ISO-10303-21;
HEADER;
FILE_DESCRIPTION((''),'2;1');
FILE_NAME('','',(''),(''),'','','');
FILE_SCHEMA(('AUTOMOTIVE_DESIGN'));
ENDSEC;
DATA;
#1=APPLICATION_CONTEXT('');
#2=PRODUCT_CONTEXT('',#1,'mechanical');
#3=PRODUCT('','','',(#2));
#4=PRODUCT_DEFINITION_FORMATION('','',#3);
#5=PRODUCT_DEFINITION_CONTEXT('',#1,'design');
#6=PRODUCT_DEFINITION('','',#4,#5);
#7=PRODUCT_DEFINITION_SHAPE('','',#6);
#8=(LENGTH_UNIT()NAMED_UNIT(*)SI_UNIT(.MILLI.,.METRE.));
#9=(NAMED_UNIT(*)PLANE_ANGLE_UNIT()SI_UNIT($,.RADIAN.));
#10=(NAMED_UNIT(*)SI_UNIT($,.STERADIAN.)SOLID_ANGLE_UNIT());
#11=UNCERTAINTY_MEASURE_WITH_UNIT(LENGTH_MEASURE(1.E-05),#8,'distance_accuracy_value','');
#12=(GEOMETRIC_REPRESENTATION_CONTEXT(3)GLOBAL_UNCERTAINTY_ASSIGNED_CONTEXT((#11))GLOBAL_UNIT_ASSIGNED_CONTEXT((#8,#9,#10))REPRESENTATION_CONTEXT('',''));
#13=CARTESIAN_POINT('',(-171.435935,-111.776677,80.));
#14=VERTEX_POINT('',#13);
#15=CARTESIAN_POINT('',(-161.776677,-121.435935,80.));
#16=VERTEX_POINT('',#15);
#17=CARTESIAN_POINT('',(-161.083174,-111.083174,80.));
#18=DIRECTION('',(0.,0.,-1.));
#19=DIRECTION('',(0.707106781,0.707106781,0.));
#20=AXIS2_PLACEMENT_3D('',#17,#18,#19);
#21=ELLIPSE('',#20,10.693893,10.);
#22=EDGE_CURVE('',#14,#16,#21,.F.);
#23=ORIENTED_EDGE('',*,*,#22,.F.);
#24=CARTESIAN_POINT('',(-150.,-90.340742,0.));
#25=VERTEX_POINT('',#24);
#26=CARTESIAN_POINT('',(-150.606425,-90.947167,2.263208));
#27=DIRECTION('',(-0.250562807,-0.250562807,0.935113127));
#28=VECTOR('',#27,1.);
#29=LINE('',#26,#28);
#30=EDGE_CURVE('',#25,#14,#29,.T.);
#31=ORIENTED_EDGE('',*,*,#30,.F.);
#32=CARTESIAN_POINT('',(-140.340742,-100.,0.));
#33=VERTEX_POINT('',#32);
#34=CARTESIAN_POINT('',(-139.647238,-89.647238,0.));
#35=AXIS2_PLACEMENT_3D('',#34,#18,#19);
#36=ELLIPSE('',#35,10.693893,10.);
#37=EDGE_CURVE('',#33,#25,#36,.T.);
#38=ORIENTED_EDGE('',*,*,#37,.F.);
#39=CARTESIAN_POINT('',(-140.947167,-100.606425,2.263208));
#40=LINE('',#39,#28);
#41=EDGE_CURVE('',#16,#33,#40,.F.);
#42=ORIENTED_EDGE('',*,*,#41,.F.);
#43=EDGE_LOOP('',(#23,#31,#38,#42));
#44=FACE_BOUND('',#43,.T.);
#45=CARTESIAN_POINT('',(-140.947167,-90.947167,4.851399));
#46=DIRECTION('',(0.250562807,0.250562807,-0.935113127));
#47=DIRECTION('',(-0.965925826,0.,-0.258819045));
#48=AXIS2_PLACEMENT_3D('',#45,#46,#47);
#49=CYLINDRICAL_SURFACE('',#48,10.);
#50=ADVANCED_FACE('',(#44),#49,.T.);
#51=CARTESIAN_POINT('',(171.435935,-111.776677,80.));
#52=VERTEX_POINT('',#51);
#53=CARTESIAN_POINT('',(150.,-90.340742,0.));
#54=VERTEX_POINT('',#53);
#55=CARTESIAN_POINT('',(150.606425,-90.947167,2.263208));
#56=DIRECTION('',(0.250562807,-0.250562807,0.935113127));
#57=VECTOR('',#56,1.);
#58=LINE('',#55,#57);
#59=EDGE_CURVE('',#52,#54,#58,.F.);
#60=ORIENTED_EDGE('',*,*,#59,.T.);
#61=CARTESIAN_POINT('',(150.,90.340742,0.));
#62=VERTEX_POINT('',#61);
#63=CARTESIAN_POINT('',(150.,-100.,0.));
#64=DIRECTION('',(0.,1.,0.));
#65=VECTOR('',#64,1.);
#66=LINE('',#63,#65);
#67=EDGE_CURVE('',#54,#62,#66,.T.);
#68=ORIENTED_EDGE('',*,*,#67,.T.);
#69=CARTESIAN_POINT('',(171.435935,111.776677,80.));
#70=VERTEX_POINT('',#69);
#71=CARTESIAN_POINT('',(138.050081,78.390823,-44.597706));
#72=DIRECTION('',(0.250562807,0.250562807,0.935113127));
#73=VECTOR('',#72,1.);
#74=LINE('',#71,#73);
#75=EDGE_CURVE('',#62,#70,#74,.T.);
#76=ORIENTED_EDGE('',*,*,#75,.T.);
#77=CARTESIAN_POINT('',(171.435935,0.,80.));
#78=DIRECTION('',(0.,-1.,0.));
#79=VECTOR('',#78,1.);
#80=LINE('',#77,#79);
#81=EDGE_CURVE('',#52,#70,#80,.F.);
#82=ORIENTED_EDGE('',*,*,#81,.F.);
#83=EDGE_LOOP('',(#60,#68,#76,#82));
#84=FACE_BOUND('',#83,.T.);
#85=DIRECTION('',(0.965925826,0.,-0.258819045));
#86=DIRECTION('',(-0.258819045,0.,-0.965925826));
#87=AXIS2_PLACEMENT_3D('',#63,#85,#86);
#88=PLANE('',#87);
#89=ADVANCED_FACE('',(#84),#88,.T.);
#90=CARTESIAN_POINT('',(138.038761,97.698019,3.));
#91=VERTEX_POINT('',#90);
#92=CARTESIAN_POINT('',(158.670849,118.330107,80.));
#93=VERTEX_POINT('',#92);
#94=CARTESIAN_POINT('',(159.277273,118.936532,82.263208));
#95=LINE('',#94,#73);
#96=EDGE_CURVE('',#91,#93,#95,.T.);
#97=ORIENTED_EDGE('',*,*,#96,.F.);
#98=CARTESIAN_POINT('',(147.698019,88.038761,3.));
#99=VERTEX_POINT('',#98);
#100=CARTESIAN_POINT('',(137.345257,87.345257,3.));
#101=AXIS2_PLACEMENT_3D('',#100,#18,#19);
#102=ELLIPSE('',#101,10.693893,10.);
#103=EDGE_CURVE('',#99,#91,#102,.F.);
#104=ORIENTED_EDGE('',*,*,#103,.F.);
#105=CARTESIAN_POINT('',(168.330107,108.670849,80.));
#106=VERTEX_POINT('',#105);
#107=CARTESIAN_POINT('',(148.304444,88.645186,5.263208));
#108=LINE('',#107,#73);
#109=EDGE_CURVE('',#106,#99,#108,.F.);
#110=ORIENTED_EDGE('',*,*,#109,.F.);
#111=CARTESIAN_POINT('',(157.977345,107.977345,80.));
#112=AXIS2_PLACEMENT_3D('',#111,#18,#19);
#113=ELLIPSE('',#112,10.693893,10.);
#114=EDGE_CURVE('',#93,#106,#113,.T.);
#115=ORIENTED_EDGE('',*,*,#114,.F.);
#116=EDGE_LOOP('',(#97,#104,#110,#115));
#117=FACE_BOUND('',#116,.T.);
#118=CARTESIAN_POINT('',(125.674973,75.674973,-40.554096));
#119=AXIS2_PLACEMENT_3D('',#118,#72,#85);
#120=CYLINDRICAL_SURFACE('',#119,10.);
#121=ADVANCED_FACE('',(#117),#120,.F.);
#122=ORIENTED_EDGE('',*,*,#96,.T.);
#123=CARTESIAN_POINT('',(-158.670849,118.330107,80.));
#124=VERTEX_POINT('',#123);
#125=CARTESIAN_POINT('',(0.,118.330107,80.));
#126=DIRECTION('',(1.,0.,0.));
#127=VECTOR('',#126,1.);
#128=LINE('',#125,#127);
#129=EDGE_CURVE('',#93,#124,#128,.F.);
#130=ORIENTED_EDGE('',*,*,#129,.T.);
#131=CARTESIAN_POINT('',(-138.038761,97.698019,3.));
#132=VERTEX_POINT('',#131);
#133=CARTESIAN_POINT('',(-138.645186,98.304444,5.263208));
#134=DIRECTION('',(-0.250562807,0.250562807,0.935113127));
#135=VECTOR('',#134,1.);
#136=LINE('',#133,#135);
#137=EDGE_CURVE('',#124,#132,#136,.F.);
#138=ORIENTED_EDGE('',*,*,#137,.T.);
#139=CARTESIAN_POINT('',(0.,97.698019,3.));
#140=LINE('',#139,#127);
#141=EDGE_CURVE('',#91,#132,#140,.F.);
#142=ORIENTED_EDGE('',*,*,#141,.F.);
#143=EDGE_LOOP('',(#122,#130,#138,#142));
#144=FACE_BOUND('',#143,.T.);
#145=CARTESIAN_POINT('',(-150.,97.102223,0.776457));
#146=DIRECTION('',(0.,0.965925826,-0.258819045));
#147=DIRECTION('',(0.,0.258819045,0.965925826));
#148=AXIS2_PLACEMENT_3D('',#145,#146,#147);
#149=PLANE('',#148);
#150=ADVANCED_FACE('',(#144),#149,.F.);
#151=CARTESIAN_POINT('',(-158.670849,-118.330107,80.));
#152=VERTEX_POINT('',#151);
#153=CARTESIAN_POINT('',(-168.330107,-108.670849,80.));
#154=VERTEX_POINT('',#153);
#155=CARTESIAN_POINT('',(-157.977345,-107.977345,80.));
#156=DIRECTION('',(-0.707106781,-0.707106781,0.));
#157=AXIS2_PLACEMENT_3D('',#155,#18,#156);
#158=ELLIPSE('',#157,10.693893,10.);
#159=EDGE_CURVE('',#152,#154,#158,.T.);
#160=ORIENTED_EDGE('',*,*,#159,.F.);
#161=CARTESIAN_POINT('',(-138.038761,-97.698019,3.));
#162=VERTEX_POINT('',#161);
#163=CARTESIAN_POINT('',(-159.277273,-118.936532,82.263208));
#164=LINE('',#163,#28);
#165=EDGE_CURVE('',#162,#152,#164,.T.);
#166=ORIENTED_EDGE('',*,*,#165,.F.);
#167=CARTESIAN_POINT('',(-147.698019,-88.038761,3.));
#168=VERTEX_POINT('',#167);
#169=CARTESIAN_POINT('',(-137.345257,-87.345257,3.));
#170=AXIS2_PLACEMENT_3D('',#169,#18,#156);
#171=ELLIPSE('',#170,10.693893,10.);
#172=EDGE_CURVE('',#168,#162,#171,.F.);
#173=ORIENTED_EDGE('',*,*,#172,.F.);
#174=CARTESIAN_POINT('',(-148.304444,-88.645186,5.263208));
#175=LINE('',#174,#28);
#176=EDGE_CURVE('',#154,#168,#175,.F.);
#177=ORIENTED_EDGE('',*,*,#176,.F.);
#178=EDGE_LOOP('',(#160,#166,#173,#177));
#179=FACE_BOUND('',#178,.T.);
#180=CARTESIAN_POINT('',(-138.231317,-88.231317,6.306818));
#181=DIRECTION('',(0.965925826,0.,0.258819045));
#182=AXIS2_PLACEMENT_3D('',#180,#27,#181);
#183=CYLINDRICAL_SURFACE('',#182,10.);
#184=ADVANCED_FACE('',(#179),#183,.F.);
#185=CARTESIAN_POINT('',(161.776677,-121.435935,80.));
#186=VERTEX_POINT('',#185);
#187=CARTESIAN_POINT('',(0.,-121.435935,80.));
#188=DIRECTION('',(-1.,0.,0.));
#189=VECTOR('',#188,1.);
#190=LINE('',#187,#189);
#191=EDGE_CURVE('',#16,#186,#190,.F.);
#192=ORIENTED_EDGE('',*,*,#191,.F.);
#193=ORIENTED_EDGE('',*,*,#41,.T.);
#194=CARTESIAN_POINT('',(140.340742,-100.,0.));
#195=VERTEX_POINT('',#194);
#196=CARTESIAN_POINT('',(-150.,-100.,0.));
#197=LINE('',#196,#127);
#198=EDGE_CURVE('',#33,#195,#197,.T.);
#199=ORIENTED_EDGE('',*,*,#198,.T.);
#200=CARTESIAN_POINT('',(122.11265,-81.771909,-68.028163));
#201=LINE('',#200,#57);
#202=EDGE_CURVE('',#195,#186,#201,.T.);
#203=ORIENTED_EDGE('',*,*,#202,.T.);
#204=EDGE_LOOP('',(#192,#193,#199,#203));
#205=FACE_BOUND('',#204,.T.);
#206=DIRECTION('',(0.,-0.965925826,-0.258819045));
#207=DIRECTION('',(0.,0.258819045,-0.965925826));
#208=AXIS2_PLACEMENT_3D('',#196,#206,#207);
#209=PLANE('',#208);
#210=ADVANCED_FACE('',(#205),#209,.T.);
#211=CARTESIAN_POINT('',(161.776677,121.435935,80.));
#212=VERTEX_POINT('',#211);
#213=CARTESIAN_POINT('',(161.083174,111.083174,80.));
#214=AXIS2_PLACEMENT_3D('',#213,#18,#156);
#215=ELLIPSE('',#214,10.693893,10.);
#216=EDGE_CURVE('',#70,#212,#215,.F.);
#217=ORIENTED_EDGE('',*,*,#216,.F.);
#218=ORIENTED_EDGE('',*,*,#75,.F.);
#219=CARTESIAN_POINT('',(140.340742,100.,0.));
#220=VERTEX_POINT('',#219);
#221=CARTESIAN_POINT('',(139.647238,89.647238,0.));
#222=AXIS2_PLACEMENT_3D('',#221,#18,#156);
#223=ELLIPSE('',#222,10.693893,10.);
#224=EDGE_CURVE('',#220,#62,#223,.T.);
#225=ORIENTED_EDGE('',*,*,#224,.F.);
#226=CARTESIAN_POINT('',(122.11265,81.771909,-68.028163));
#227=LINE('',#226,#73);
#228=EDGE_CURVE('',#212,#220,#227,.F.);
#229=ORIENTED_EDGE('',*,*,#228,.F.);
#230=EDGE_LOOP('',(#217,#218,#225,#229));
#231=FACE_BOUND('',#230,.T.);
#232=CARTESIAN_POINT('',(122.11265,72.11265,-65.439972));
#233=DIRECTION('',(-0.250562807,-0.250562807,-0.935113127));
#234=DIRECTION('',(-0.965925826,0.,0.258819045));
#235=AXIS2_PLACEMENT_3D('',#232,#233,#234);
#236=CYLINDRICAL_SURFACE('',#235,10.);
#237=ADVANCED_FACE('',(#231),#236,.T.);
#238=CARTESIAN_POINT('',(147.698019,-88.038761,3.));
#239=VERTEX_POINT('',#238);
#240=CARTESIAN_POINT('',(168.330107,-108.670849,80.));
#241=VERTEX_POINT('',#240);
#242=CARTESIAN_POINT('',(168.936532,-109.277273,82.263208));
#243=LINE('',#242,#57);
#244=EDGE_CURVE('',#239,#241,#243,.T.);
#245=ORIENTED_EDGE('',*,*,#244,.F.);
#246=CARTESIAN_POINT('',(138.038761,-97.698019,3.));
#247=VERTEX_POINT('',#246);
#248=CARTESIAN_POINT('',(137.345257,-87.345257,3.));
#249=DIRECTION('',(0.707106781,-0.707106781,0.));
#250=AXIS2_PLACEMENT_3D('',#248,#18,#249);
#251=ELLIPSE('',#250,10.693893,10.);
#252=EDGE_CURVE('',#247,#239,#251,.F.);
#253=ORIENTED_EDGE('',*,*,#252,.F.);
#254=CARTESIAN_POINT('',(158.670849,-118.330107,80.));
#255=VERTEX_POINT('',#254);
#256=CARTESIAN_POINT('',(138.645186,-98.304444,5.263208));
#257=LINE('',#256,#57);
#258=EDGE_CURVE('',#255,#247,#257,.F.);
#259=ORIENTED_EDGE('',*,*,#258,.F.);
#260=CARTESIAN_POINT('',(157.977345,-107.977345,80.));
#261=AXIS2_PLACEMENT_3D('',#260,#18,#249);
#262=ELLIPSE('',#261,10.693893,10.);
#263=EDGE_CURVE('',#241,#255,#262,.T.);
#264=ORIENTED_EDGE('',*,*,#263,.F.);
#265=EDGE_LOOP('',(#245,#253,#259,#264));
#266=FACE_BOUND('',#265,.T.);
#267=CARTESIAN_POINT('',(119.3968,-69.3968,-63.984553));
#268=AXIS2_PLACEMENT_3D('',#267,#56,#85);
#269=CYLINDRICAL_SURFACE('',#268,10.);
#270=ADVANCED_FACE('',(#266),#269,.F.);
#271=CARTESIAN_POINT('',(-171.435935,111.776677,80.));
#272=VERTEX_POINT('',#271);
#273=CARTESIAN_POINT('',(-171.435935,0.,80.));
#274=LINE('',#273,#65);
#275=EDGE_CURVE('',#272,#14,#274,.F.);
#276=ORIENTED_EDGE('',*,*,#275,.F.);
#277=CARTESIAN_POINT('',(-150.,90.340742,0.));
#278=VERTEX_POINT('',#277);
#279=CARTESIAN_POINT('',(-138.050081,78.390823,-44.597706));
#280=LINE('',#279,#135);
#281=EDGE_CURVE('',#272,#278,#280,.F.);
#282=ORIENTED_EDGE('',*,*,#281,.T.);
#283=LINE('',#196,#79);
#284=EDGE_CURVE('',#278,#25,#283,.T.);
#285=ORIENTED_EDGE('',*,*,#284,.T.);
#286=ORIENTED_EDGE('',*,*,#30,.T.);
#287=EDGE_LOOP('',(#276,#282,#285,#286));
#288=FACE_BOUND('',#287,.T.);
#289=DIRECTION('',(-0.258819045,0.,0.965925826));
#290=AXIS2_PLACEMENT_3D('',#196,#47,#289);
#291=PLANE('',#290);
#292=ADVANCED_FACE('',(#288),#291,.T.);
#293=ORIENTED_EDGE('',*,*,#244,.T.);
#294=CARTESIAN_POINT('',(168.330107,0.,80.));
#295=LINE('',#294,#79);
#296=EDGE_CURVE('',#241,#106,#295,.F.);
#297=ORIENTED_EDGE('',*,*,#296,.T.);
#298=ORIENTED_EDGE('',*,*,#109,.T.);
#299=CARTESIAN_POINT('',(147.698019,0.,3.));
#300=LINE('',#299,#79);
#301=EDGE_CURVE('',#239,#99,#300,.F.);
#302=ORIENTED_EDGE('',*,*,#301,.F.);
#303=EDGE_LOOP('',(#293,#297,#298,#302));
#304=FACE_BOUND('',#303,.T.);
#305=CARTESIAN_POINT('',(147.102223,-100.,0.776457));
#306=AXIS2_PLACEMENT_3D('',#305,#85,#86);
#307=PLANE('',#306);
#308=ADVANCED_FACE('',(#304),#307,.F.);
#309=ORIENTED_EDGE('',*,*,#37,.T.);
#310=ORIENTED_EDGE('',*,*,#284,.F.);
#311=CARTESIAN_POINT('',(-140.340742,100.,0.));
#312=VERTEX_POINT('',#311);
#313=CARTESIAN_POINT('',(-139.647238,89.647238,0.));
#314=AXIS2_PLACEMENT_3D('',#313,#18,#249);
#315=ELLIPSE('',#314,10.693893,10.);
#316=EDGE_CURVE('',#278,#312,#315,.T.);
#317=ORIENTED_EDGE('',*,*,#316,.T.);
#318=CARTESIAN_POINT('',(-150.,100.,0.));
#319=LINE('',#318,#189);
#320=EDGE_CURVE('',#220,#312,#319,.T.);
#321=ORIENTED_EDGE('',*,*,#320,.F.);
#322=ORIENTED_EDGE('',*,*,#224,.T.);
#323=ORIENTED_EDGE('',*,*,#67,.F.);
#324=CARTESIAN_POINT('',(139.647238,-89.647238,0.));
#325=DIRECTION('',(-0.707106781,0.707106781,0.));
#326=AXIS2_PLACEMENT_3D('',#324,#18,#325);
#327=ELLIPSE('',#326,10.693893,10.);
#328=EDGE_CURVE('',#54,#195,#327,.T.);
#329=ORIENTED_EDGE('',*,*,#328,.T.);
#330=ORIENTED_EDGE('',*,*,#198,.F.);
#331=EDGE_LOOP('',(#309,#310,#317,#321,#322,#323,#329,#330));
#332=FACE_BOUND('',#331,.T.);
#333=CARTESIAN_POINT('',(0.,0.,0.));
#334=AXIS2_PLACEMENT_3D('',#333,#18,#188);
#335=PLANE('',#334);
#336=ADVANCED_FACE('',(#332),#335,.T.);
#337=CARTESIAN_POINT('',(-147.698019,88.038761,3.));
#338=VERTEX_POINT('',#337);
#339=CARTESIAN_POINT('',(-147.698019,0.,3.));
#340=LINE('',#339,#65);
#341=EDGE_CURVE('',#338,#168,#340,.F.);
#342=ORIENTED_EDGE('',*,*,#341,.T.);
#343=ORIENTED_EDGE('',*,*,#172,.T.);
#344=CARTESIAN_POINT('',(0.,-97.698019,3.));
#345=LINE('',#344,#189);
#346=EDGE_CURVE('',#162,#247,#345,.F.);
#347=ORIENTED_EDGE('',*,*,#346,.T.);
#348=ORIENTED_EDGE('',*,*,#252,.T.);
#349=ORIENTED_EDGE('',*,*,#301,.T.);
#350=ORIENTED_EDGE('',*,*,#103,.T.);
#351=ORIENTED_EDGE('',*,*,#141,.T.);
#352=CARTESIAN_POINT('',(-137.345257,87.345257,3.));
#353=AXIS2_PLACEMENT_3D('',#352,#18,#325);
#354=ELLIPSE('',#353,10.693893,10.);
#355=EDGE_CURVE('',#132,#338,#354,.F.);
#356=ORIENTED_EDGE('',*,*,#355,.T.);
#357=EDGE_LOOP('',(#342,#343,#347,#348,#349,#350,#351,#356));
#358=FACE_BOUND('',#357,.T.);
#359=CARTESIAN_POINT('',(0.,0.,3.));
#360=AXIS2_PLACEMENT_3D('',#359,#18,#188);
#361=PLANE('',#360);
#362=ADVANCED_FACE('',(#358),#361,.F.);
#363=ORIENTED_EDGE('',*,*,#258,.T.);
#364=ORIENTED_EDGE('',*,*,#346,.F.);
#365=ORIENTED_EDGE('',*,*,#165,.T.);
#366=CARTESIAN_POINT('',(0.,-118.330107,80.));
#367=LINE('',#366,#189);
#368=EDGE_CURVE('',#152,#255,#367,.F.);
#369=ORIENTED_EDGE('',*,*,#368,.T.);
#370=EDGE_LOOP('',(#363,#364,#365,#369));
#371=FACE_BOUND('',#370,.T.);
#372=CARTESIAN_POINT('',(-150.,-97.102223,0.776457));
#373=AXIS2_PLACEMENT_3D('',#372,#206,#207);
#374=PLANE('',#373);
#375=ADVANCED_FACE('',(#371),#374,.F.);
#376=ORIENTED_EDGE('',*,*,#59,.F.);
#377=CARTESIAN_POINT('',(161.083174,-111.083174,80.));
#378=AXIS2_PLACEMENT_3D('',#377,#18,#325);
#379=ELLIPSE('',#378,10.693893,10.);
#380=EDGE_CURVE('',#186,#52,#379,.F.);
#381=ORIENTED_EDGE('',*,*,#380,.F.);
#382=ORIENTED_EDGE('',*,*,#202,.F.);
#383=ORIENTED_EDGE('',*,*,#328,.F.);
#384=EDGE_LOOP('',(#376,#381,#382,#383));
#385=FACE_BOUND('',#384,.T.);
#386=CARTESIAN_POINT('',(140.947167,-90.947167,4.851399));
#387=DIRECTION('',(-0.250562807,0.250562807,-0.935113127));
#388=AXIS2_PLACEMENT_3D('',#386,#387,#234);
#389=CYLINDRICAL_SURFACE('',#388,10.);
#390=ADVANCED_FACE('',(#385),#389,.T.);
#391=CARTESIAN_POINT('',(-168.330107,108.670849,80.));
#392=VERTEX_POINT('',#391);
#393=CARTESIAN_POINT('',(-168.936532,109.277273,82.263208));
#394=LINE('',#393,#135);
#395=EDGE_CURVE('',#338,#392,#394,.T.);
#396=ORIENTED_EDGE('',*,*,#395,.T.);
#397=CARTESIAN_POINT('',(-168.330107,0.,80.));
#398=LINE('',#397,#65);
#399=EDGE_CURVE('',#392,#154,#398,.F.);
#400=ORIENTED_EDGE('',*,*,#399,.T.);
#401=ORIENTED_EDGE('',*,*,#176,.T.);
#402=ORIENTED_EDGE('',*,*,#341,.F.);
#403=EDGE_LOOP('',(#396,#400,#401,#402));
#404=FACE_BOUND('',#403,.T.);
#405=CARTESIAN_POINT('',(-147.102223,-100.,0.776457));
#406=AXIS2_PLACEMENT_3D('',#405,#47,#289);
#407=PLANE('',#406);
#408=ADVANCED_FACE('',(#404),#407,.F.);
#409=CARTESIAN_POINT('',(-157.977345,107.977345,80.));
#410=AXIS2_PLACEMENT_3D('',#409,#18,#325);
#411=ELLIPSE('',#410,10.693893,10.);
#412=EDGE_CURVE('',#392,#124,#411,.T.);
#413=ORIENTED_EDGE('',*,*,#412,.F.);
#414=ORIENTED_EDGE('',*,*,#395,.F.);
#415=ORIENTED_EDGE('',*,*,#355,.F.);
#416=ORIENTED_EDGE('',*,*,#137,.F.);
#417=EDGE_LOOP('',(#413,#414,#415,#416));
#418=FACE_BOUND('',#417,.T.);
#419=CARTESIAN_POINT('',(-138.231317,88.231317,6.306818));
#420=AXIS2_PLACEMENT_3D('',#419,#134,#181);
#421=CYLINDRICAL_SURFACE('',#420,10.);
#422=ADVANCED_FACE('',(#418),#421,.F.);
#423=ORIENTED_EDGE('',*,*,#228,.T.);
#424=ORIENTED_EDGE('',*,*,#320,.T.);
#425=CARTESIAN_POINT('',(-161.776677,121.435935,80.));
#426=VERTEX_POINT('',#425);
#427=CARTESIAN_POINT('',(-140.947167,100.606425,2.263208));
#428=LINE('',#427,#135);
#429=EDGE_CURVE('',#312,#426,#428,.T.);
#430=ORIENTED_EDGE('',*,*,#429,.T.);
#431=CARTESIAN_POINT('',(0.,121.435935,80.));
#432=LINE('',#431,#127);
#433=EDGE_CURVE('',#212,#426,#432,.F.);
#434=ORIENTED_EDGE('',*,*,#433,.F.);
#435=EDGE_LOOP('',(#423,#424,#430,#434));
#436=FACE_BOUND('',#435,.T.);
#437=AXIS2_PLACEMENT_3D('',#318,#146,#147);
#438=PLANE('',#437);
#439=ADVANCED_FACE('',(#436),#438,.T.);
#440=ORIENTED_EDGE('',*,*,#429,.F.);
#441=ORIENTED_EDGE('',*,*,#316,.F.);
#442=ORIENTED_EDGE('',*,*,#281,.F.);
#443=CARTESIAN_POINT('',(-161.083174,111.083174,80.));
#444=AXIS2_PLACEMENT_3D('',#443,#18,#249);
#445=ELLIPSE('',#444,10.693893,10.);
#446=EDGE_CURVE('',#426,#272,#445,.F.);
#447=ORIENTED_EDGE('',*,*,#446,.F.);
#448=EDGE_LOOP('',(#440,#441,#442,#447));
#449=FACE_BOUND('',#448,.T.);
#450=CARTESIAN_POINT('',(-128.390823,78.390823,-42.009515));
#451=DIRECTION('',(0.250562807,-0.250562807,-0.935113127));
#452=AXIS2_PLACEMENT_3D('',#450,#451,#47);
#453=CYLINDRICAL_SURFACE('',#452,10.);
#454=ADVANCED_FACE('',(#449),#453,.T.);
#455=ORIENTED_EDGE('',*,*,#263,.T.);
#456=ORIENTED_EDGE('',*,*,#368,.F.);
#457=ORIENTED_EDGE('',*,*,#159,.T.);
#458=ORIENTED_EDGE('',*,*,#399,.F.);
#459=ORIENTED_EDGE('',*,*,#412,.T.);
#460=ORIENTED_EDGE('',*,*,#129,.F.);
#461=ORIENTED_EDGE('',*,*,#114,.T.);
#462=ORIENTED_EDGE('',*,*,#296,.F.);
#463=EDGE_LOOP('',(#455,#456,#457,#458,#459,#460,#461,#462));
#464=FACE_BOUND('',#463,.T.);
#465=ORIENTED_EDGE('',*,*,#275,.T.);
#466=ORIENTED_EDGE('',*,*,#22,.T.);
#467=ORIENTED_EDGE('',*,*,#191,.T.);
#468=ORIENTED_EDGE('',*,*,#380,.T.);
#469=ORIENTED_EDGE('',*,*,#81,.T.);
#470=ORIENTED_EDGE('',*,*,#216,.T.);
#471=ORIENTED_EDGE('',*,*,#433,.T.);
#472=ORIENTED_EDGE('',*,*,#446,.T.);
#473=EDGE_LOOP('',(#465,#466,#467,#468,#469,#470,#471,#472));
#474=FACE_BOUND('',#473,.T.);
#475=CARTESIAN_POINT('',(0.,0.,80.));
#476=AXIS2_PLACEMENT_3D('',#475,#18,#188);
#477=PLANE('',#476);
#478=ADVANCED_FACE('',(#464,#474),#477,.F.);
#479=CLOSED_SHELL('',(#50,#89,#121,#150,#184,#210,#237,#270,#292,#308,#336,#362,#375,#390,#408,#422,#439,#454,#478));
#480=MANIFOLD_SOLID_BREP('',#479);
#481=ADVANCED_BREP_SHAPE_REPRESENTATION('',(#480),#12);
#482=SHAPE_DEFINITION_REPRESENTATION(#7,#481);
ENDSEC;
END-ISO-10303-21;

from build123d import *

# Parameters (mm, degrees)
SKETCH_1_W      = 300
SKETCH_1_H      = 200
EXTRUDE_1_DEPTH = 80
EXTRUDE_1_DRAFT = -15
SHELL_1_T       = -3
FILLET_1_R      = 10


with BuildPart() as part:
    # 草图1 → 凸台-拉伸1 (with draft: the straight prism first)
    with BuildSketch(Plane.XY):
        Rectangle(SKETCH_1_W, SKETCH_1_H)
    extrude(amount=EXTRUDE_1_DEPTH)
    # 凸台-拉伸1: the draft: its side faces are tilted about the plane it starts from
    extrude_1_sides = [part.faces().sort_by_distance(p)[0] for p in [
        (0, -100, 40),
        (150, 0, 40),
        (0, 100, 40),
        (-150, 0, 40),
    ]]
    draft(extrude_1_sides, Plane.XY, EXTRUDE_1_DRAFT)

    # 抽壳1
    shell_1_openings = [part.faces().sort_by_distance(p)[0] for p in [
        (0, 0, 80),
    ]]
    offset(amount=SHELL_1_T, openings=shell_1_openings, kind=Kind.INTERSECTION)

    # 圆角1
    fillet_1_edges = [part.edges().sort_by_distance(p)[0] for p in [
        (158.014062945, -108.014062945, 41.5),
        (158.014062945, 108.014062945, 41.5),
        (-158.014062945, 108.014062945, 41.5),
        (-158.014062945, -108.014062945, 41.5),
        (160.717967697, -110.717967697, 40),
        (-160.717967697, -110.717967697, 40),
        (-160.717967697, 110.717967697, 40),
        (160.717967697, 110.717967697, 40),
    ]]
    fillet(fillet_1_edges, radius=FILLET_1_R)


solid = part.part
